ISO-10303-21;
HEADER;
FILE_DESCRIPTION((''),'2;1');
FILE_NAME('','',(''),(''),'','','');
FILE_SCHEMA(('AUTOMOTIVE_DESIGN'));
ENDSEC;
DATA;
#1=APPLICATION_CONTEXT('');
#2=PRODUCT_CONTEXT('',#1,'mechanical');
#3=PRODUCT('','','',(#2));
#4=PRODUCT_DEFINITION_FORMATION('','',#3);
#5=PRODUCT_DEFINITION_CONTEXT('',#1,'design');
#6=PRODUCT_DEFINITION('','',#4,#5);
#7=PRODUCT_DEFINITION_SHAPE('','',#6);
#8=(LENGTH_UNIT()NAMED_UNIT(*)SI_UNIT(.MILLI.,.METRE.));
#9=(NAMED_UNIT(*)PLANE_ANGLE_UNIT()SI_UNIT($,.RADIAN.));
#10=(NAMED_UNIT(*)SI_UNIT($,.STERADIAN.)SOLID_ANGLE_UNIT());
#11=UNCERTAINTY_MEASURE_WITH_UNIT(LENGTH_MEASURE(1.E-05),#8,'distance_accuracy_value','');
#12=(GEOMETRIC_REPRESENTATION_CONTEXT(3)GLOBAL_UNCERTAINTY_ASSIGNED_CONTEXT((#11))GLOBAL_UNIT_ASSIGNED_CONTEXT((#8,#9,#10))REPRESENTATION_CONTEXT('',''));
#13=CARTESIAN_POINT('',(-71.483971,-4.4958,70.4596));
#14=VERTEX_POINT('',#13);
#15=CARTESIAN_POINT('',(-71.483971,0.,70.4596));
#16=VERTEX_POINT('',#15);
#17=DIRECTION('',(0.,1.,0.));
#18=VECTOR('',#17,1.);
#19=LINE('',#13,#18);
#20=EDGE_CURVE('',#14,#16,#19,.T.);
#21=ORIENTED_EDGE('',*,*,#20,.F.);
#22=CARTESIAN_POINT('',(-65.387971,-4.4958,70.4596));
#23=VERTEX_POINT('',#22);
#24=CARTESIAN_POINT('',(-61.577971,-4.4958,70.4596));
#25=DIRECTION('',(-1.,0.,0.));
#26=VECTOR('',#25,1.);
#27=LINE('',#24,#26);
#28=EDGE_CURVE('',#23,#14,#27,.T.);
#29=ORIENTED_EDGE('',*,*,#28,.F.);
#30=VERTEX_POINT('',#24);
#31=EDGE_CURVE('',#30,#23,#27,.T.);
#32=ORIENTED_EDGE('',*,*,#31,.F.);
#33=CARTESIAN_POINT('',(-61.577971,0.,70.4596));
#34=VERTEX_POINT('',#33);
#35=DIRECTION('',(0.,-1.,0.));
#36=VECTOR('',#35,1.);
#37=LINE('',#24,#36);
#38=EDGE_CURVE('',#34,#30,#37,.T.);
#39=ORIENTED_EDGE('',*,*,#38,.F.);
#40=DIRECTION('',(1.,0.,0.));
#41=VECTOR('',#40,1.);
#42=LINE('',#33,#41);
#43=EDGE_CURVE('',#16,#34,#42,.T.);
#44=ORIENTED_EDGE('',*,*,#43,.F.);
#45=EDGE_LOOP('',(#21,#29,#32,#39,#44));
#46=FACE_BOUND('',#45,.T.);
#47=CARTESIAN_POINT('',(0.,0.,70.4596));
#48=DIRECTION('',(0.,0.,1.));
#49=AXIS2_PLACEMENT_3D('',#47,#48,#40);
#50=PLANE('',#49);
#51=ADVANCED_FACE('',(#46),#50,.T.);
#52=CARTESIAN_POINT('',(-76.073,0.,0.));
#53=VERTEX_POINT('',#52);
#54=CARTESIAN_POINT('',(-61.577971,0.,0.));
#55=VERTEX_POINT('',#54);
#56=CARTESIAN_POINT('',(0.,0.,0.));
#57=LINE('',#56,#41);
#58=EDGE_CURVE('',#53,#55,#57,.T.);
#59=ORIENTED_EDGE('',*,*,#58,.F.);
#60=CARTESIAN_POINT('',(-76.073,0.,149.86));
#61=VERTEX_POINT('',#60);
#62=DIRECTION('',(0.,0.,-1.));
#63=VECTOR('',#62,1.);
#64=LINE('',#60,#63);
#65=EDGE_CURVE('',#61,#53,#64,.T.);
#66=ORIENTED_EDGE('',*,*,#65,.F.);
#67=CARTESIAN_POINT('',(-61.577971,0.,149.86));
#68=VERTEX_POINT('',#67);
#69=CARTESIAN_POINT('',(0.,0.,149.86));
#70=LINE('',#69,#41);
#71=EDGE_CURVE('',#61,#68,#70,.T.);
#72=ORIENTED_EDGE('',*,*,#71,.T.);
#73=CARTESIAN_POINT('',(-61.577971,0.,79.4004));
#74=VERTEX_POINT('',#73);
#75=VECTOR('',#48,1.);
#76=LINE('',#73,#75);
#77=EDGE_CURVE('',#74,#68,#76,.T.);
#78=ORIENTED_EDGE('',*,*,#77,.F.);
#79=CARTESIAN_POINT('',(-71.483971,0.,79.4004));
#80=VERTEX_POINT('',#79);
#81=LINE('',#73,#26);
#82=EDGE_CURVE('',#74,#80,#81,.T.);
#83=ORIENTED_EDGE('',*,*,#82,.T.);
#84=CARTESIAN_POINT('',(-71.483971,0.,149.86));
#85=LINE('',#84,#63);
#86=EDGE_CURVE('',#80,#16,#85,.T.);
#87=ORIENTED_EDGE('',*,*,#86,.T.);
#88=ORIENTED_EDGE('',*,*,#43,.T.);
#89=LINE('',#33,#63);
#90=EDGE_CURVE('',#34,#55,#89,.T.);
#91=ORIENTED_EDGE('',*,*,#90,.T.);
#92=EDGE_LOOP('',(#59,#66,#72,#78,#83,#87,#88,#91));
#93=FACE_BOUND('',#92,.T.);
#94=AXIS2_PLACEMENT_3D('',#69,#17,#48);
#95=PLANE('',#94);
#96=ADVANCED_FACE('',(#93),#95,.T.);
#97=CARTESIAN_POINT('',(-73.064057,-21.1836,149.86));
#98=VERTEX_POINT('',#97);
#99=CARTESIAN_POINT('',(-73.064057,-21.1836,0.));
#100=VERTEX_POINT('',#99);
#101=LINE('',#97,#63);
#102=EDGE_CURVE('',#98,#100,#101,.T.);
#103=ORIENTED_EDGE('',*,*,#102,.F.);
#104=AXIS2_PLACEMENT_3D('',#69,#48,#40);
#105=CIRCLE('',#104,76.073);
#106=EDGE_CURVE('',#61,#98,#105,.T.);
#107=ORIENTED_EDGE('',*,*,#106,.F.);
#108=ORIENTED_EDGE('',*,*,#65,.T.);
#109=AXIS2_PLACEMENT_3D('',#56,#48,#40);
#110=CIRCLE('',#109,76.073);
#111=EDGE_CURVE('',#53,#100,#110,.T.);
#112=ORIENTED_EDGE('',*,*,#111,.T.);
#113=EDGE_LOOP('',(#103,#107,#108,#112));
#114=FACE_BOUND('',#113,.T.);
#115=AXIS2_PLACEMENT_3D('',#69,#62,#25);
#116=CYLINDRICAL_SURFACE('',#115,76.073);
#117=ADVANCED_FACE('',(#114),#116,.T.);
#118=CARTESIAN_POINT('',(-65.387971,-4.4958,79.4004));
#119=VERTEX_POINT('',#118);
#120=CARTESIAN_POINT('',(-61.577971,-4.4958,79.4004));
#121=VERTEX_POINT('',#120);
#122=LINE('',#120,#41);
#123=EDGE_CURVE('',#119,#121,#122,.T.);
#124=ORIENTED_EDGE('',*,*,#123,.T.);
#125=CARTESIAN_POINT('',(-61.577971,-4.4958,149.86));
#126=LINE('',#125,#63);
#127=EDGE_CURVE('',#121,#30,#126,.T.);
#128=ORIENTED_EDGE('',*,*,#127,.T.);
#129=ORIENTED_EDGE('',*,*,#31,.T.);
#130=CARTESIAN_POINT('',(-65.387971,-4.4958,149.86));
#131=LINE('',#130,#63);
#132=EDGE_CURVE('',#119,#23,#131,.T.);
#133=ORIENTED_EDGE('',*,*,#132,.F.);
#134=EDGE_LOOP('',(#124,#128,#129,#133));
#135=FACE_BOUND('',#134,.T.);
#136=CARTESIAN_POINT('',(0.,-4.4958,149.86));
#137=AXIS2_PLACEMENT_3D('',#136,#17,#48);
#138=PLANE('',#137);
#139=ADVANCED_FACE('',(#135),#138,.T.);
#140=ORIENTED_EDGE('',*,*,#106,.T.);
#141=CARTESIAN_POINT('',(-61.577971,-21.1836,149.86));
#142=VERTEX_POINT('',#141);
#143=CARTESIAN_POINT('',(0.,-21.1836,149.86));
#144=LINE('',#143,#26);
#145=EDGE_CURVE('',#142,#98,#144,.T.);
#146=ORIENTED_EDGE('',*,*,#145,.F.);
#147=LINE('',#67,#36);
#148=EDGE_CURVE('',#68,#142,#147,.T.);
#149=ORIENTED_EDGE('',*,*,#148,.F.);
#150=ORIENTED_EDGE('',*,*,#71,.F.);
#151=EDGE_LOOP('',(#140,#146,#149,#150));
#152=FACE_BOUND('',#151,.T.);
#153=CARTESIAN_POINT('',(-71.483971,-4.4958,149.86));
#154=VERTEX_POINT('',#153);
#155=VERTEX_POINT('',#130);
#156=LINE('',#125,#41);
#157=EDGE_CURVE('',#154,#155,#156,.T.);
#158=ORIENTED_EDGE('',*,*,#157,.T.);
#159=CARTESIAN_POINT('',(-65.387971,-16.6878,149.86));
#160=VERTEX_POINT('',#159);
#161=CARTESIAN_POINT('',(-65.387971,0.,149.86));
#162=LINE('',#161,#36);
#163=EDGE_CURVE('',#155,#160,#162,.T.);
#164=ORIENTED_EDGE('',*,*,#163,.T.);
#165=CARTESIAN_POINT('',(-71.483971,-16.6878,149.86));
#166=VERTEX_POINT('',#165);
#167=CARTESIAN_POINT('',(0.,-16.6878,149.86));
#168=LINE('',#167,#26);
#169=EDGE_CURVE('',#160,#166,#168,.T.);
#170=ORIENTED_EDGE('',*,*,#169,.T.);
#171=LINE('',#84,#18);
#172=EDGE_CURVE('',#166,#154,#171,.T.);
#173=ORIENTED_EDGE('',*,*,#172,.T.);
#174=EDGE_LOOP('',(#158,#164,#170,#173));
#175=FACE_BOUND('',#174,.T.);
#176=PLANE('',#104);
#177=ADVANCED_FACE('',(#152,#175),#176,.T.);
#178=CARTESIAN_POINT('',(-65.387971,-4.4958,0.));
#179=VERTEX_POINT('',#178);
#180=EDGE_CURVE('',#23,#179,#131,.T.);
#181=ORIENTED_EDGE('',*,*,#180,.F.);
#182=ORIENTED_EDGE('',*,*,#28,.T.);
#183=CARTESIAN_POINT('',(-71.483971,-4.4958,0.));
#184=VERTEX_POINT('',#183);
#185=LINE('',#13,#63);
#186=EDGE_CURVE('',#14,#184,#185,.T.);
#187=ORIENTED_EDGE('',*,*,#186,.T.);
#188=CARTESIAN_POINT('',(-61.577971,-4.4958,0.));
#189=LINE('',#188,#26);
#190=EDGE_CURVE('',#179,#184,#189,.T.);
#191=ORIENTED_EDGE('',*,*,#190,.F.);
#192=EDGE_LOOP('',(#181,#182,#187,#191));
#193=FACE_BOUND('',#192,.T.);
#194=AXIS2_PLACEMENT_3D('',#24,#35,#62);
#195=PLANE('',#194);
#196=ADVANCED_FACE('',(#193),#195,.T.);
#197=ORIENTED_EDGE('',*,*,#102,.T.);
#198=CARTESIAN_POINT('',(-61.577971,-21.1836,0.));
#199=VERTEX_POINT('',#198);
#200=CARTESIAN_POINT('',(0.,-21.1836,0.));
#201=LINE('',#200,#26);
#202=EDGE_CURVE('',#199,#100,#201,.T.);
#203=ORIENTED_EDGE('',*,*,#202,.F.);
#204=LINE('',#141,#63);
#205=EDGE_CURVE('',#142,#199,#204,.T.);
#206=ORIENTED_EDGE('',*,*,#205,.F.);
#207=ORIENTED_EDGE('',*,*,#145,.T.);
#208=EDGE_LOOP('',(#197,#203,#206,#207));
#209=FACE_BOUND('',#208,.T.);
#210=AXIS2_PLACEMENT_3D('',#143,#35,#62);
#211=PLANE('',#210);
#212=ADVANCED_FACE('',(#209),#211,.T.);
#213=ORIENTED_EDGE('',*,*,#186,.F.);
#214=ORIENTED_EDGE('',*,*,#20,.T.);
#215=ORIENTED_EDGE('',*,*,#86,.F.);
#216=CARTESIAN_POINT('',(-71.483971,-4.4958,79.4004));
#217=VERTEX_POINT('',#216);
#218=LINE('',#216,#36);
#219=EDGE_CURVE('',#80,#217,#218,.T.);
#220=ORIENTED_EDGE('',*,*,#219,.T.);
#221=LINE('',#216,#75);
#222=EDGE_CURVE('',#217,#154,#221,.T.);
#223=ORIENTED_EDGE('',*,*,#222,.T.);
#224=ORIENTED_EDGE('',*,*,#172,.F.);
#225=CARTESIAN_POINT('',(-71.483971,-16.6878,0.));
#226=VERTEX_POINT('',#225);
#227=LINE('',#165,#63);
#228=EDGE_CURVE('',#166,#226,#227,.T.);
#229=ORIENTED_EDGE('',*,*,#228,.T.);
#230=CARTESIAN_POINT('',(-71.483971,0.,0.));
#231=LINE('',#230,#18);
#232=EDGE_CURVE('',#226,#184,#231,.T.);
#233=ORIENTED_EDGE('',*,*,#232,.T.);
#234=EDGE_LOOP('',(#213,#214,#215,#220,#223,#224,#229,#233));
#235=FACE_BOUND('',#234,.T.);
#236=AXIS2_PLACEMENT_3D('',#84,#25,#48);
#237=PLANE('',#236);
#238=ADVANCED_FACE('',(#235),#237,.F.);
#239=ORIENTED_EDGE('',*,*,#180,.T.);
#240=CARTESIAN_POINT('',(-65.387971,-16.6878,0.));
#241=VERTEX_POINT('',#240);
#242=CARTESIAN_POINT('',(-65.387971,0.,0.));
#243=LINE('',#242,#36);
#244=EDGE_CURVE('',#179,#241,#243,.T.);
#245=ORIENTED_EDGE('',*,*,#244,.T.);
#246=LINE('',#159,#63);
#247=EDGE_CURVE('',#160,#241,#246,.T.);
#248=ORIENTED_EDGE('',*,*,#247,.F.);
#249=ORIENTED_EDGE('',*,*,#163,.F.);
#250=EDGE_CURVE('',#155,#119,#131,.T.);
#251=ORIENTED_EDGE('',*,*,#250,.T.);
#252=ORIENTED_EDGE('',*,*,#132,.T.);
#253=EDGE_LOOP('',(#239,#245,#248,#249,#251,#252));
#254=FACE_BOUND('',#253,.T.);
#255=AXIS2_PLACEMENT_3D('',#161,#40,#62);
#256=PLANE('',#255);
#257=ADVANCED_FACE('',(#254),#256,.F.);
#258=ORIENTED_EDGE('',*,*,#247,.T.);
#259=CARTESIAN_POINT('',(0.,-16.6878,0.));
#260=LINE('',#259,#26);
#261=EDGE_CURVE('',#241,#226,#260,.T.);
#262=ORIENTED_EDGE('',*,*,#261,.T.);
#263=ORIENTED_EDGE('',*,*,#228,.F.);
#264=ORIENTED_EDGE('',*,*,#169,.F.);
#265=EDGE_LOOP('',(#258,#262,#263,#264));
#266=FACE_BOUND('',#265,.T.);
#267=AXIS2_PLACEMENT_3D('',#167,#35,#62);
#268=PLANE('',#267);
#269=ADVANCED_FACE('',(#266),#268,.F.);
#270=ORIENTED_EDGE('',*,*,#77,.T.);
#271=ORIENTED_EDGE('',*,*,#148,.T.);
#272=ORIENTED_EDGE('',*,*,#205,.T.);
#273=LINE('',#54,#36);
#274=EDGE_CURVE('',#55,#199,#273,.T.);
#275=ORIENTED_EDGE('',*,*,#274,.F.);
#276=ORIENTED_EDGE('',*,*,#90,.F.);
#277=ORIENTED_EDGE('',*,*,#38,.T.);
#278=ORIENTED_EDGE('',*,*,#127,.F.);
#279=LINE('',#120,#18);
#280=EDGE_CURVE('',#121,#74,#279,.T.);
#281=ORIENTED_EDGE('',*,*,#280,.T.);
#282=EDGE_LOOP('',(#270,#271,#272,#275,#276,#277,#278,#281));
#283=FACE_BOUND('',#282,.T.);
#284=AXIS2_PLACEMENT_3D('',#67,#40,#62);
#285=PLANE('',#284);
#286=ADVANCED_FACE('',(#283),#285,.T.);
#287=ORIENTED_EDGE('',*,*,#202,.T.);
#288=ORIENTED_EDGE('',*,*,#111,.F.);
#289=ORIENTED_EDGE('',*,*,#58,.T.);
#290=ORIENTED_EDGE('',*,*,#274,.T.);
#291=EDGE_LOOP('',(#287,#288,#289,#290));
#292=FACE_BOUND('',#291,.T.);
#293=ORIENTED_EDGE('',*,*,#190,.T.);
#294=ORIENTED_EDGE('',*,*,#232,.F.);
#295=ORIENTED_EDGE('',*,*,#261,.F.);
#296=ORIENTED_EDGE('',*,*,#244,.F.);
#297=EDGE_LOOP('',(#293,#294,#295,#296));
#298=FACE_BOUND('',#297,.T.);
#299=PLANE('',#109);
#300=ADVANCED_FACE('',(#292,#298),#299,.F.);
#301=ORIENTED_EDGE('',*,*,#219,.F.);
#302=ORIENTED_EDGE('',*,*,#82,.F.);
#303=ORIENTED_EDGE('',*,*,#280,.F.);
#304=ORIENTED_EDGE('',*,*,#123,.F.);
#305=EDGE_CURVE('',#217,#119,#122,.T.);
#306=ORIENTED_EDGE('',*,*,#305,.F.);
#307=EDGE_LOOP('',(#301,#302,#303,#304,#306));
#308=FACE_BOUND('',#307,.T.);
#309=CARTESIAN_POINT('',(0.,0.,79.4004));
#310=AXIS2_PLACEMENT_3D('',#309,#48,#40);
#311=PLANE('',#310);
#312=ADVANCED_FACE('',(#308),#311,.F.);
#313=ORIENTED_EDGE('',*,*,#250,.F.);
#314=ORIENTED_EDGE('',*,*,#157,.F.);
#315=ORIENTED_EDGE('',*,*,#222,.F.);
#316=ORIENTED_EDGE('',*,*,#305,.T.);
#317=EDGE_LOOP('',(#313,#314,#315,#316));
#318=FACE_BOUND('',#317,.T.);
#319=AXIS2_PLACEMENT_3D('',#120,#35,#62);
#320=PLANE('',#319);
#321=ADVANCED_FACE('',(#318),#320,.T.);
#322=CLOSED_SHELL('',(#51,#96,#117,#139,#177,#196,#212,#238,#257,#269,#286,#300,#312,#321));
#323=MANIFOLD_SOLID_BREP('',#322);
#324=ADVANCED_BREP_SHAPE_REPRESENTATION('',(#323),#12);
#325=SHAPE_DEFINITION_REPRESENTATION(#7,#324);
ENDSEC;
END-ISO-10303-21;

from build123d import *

# Parameters (mm, degrees)
BOSS_EXTRUDE1_DEPTH = 149.86
SKETCH2_W           = 9.906
SKETCH2_H           = 4.4958
BOSS_EXTRUDE2_DEPTH = 70.4596
SKETCH3_W           = 9.906
SKETCH3_H           = 4.4958
BOSS_EXTRUDE3_DEPTH = 70.4596


with BuildPart() as part:
    # Sketch1 → Boss-Extrude1 (new body)
    with BuildSketch(Plane.XY):
        with BuildLine():
            Line((-61.5779714, -4.4958), (-65.3879714, -4.4958))
            Line((-65.3879714, -4.4958), (-65.3879714, -16.6878))
            Line((-65.3879714, -16.6878), (-71.4839714, -16.6878))
            Line((-71.4839714, -16.6878), (-71.4839714, 0))
            Line((-71.4839714, 0), (-76.073, 0))
            ThreePointArc((-76.073, 0), (-75.317007822, -10.698114871), (-73.064056964, -21.1836))
            Line((-73.064056964, -21.1836), (-61.5779714, -21.1836))
            Line((-61.5779714, -21.1836), (-61.5779714, -4.4958))
        make_face()
    extrude(amount=BOSS_EXTRUDE1_DEPTH)

    # Sketch2 → Boss-Extrude2 (add)
    with BuildSketch(Plane.XY.offset(149.86)):
        with Locations((-66.5309714, -2.2479)):
            Rectangle(SKETCH2_W, SKETCH2_H)
    extrude(amount=-BOSS_EXTRUDE2_DEPTH)

    # Sketch3 → Boss-Extrude3 (add)
    with BuildSketch(Plane(origin=(0, 0, 0), x_dir=(-1, 0, 0), z_dir=(0, 0, -1))):
        with Locations((66.5309714, -2.2479)):
            Rectangle(SKETCH3_W, SKETCH3_H)
    extrude(amount=-BOSS_EXTRUDE3_DEPTH)


solid = part.part
